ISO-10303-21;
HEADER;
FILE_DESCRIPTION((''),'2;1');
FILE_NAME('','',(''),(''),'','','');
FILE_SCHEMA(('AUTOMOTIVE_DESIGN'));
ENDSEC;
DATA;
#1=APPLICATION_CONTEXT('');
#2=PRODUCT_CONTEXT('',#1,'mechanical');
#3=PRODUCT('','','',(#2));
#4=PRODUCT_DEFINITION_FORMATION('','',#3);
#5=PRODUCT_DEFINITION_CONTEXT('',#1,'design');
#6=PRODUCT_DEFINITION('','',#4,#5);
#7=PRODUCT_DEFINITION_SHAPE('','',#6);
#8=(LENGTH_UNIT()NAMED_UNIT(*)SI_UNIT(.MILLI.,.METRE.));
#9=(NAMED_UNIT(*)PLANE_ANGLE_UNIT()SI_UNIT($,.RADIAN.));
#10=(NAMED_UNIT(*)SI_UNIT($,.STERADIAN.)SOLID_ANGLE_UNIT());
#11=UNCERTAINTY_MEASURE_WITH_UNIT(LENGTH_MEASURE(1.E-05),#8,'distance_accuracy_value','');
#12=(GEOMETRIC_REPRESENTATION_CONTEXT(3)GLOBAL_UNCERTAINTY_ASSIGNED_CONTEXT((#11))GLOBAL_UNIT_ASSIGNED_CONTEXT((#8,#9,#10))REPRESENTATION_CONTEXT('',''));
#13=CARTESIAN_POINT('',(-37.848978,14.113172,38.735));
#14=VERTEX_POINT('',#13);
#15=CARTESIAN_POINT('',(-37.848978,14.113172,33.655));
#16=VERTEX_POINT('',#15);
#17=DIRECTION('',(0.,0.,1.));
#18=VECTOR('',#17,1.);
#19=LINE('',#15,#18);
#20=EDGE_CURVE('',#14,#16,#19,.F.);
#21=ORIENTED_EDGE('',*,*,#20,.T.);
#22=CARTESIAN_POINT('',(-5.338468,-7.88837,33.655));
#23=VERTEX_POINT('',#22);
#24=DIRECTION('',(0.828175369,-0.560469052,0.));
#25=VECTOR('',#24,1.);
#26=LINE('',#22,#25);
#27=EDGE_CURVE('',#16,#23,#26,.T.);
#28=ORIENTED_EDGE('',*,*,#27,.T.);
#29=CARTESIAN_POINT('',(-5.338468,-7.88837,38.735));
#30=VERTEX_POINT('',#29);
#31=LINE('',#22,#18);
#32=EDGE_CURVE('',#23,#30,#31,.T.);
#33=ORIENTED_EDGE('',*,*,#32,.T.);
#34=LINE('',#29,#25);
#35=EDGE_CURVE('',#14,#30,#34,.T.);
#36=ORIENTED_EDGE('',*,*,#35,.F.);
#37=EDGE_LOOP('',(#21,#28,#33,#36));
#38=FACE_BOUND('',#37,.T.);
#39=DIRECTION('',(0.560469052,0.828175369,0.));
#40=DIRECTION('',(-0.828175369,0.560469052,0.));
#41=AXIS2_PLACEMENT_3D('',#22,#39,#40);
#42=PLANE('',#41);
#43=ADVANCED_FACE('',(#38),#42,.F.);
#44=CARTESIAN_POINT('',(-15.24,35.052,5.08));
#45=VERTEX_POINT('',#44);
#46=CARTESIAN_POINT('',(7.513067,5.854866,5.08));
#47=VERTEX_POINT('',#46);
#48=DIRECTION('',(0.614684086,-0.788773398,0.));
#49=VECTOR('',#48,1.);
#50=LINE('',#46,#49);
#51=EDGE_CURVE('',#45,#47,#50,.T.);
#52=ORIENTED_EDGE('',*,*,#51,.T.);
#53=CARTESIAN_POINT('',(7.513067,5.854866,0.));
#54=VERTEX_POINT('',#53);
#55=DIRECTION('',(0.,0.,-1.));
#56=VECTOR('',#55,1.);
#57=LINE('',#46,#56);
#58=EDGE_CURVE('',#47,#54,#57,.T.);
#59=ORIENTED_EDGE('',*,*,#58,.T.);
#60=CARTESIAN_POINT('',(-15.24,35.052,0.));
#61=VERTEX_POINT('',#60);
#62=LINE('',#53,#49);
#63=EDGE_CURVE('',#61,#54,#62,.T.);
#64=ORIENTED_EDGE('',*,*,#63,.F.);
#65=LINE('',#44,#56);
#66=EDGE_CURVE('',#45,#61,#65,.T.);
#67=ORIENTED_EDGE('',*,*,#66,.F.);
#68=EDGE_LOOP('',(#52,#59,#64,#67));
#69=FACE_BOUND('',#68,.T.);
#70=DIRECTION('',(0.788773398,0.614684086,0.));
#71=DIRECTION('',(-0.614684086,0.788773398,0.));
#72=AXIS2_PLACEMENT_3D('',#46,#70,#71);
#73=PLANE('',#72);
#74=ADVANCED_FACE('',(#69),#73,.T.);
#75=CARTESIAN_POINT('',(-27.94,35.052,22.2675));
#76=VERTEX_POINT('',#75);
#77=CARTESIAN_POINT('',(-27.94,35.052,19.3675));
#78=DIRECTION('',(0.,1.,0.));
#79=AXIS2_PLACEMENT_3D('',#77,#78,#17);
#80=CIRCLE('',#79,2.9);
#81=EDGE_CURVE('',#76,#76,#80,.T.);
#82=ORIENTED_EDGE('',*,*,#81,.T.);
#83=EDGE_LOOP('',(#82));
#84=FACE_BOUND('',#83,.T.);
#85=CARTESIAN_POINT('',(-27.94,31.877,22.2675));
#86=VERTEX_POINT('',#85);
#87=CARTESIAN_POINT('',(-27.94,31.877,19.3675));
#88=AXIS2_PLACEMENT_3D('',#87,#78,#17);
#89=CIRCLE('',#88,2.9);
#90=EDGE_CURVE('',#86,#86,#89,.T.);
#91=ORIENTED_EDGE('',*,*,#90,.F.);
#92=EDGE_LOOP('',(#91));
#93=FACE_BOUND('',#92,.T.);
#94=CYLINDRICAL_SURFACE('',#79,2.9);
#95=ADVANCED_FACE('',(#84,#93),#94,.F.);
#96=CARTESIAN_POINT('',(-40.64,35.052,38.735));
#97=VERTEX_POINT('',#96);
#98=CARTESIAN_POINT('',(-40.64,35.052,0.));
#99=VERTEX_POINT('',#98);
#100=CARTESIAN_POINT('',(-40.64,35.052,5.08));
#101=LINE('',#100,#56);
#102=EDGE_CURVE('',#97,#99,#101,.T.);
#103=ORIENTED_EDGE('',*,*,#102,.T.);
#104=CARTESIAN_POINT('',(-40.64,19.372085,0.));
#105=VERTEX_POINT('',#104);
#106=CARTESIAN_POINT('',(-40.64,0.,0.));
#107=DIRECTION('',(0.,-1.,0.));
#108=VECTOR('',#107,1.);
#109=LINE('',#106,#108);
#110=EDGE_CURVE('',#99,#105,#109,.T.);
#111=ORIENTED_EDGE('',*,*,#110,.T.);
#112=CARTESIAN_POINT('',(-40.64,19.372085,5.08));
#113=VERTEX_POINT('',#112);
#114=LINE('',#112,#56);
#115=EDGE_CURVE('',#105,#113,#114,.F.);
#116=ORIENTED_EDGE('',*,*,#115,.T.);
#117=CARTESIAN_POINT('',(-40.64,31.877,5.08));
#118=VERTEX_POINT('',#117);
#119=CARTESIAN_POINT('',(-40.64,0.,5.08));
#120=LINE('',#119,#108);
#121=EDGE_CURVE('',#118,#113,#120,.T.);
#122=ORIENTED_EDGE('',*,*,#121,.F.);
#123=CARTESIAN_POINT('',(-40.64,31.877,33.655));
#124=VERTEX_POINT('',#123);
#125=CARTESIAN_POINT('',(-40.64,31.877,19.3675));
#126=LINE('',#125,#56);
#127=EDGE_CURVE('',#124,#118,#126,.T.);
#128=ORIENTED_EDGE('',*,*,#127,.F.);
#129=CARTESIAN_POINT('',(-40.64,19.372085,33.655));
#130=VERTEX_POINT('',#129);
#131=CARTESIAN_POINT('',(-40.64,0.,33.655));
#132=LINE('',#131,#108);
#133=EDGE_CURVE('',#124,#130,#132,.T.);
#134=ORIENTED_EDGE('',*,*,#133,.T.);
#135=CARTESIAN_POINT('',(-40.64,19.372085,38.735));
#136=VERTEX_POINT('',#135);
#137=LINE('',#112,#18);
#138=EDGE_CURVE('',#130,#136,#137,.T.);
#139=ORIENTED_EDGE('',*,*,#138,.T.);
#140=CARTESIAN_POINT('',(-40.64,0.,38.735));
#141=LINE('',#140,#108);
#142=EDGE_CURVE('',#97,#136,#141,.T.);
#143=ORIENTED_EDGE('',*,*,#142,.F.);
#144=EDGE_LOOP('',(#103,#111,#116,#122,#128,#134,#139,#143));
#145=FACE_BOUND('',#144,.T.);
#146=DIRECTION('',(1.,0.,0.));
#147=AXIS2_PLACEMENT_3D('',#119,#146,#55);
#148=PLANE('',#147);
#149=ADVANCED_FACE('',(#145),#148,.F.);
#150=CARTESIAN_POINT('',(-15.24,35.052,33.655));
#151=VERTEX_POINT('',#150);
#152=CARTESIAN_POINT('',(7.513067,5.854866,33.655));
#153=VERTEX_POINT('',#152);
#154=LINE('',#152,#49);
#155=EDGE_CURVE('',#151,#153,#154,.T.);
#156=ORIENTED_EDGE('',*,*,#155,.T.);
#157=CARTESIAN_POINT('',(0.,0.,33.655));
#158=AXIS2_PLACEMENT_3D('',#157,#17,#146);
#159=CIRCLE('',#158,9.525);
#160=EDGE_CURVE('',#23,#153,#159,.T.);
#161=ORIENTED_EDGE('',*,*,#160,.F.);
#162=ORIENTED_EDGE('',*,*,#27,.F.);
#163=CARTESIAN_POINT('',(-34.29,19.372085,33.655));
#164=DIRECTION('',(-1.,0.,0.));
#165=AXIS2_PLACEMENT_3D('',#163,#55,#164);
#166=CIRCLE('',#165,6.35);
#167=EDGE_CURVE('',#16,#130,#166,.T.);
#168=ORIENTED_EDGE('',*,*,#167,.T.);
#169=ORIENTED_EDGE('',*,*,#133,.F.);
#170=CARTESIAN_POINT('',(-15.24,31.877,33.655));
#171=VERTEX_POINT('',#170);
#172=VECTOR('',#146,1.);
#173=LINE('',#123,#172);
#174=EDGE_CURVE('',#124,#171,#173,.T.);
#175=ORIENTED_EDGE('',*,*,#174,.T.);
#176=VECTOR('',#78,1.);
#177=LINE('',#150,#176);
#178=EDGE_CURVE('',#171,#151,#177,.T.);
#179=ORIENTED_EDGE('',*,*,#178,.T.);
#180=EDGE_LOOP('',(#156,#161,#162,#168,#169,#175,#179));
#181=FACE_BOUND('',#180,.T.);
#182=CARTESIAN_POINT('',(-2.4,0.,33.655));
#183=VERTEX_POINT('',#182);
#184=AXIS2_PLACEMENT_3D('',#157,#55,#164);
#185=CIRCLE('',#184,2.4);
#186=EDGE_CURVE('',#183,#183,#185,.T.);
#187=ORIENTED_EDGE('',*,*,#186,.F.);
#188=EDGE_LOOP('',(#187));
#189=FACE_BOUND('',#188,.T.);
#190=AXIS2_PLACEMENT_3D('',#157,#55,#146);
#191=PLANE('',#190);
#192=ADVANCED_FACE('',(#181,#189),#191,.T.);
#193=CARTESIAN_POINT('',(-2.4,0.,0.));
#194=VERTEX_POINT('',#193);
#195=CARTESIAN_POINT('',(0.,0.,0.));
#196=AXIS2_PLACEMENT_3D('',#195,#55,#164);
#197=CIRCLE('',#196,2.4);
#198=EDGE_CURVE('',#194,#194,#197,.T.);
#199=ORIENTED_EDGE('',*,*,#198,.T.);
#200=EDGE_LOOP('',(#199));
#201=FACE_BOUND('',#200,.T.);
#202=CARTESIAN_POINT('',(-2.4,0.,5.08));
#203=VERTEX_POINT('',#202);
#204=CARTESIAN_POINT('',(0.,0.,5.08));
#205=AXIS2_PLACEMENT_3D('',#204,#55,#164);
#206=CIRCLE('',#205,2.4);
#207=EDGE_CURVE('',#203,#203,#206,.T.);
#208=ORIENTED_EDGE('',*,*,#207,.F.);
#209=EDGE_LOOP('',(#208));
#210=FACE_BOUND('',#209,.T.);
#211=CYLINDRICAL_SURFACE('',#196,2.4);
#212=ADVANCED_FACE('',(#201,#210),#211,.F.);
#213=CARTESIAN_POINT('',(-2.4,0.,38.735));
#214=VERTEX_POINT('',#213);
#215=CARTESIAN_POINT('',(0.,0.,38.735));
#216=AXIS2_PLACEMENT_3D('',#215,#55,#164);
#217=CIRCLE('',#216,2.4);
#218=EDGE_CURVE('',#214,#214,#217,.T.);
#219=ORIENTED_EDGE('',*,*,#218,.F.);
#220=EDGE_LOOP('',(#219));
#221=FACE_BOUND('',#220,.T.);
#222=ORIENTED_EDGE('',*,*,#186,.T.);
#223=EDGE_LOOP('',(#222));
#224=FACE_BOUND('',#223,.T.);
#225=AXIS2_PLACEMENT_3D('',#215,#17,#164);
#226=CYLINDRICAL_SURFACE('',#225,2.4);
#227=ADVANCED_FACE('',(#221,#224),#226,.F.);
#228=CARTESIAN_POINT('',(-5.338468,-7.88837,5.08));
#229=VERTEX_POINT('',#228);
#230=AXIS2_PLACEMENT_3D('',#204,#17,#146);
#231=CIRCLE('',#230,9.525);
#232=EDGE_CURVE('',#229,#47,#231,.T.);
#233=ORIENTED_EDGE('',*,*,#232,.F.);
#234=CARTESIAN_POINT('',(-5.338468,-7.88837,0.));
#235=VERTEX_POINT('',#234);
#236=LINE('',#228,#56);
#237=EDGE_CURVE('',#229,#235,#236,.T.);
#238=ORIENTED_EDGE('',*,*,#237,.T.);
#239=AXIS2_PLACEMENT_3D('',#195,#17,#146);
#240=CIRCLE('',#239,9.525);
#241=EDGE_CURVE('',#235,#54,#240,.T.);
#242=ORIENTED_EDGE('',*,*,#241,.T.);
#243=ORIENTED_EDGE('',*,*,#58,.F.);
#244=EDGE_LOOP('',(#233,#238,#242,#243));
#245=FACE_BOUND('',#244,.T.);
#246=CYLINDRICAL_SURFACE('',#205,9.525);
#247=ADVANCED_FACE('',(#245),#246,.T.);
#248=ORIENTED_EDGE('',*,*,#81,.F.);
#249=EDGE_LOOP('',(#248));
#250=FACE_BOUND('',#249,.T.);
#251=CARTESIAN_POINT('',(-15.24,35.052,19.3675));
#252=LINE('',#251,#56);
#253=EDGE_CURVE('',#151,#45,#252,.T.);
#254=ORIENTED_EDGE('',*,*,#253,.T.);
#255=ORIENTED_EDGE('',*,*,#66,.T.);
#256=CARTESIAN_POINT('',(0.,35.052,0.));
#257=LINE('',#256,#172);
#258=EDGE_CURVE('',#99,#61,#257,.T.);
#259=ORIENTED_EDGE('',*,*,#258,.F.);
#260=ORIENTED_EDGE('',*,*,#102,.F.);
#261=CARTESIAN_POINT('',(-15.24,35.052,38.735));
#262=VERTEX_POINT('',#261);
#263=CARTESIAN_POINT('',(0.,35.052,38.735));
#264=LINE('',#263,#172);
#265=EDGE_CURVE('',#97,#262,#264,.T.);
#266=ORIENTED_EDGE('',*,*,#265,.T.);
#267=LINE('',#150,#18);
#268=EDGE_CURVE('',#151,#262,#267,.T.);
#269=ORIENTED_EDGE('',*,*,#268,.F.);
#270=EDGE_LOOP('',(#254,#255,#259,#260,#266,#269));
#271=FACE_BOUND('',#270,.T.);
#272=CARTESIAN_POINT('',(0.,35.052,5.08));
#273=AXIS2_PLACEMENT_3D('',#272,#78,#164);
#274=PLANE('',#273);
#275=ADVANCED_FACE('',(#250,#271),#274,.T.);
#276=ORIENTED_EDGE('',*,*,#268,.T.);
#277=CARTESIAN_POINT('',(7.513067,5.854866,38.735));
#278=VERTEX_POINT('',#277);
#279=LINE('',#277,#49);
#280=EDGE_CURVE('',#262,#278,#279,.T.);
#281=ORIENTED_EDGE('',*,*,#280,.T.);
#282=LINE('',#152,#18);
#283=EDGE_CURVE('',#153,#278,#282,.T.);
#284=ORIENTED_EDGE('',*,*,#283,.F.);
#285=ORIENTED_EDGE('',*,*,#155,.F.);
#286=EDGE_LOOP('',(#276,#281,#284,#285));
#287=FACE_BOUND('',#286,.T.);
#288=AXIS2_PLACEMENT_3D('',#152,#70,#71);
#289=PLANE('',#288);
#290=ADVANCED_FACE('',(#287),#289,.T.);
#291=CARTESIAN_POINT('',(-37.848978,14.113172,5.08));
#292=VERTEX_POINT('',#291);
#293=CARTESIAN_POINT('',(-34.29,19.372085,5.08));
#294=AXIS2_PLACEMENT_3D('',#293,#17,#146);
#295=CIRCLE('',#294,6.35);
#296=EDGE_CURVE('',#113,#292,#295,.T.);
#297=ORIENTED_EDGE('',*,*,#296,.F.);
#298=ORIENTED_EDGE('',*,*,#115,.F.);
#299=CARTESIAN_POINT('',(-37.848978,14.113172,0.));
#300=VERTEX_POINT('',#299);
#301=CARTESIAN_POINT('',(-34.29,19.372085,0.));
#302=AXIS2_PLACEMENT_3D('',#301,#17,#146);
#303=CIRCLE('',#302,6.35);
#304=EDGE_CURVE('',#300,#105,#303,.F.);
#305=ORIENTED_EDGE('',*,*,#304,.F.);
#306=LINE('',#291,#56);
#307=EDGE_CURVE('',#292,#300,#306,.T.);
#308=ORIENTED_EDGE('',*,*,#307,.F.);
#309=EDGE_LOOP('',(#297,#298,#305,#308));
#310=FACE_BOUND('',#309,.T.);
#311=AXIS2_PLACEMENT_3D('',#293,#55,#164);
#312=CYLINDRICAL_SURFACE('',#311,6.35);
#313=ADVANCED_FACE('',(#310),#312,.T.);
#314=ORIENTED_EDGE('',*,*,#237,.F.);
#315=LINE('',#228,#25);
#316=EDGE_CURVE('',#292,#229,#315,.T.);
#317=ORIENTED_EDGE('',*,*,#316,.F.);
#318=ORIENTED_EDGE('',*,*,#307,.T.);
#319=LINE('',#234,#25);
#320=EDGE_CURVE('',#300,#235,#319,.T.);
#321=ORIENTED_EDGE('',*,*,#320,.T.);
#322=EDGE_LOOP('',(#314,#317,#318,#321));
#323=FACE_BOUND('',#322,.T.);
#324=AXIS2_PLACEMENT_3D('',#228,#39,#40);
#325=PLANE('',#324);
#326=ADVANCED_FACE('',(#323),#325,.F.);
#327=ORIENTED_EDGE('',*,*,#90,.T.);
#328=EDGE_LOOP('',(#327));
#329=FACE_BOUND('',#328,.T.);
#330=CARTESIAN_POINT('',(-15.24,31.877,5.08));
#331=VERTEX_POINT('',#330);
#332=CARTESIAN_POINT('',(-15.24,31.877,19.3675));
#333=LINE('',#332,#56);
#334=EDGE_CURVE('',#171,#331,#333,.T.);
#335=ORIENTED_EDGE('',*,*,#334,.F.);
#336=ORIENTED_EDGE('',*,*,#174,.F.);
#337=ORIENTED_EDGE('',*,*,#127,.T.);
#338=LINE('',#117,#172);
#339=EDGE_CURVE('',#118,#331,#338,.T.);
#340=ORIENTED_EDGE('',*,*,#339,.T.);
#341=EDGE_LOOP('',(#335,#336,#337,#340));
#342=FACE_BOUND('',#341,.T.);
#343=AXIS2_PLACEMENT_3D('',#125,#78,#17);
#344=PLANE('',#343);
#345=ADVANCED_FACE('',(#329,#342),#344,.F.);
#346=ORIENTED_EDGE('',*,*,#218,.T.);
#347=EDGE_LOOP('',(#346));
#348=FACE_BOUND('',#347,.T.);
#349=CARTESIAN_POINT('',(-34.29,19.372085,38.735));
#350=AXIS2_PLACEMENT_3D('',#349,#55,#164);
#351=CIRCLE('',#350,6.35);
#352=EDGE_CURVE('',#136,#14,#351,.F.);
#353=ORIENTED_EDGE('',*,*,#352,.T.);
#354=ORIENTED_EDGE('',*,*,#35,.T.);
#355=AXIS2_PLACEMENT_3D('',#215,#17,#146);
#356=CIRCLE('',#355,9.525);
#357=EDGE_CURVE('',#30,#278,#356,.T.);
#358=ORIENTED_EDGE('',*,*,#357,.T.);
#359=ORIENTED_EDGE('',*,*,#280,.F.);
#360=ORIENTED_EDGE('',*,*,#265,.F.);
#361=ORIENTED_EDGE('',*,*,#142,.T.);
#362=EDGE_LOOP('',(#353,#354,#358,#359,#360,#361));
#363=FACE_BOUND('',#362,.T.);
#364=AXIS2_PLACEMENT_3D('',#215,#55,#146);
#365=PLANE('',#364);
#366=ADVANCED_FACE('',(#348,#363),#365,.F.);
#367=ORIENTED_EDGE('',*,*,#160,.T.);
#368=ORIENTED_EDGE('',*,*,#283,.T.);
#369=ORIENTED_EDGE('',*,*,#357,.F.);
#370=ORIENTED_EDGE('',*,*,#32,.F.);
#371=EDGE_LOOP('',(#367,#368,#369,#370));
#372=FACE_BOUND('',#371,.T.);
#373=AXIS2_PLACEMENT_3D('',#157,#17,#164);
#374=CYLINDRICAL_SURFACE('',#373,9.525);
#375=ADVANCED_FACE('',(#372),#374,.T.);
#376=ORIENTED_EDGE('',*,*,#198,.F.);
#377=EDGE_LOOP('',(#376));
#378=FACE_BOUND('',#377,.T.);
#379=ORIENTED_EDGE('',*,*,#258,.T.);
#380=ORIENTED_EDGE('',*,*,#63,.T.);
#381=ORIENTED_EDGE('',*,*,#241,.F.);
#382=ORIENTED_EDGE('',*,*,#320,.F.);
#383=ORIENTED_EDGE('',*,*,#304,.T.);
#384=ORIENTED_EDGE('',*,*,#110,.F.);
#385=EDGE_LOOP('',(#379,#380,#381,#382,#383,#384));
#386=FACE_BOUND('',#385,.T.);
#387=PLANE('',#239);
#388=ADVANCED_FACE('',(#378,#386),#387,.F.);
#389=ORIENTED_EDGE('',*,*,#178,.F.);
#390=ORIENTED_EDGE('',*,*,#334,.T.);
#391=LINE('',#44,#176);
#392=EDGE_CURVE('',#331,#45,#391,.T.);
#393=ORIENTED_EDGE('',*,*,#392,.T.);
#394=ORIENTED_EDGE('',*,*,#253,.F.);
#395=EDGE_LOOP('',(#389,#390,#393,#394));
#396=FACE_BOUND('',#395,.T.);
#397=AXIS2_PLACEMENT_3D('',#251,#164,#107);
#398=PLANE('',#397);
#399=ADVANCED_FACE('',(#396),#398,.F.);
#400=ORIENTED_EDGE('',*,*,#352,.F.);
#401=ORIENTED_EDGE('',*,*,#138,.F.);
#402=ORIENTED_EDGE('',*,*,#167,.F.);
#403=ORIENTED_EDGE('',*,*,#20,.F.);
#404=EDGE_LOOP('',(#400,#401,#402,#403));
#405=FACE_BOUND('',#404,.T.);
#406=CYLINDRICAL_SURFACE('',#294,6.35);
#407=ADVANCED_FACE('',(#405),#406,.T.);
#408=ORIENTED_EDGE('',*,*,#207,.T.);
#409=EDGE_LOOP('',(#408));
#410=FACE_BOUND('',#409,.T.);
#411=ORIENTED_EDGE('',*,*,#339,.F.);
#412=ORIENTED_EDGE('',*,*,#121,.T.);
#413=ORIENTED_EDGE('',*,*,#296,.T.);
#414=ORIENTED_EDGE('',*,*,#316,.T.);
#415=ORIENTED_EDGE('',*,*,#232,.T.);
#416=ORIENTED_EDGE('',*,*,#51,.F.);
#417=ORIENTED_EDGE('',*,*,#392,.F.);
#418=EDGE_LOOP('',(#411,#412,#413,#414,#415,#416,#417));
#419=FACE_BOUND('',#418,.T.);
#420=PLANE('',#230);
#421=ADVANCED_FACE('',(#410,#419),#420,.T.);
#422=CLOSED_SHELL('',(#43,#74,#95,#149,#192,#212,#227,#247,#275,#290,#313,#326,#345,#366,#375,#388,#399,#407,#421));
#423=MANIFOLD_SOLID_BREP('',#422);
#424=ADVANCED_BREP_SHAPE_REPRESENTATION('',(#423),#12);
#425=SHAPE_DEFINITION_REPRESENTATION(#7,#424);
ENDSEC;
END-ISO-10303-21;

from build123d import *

# Parameters (mm, degrees)
SKETCH1_W            = 25.4
SKETCH1_H            = 19.05
SKETCH1_R            = 9.525
BOSS_EXTRUDE1_DEPTH  = 5.08
M4_CLEARANCE_HOLE1_D = 4.8
SKETCH4_W            = 25.4
SKETCH4_H            = 3.175
BOSS_EXTRUDE2_DEPTH  = 14.2875
M5_CLEARANCE_HOLE1_D = 5.8
FILLET1_R            = 6.35


with BuildPart() as part:
    # Sketch1 → Boss-Extrude1 (new body)
    with BuildSketch(Plane.XY):
        with Locations((-27.94, 25.527)):
            Rectangle(SKETCH1_W, SKETCH1_H)
        with BuildLine():
            Line((-15.24, 16.002), (-40.64, 16.002))
            Line((-40.64, 16.002), (-5.338467717, -7.888370392))
            ThreePointArc((-5.338467717, -7.888370392), (-6.957108321, 6.505710477), (7.51306662, 5.854865922))
            Line((7.51306662, 5.854865922), (-15.24, 35.052))
            Line((-15.24, 35.052), (-15.24, 16.002))
        make_face()
        Circle(SKETCH1_R)
    extrude(amount=BOSS_EXTRUDE1_DEPTH)

    # M4 Clearance Hole1 (through all)
    with Locations(Plane(origin=(0, 0, 0), x_dir=(-1, 0, 0), z_dir=(0, 0, -1))):
        with Locations((0, 0)):
            Hole(M4_CLEARANCE_HOLE1_D / 2)

    # Sketch4 → Boss-Extrude2 (add)
    with BuildSketch(Plane.XY.offset(5.08)):
        with Locations((-27.94, 33.4645)):
            Rectangle(SKETCH4_W, SKETCH4_H)
    extrude(amount=BOSS_EXTRUDE2_DEPTH)

    # Mirror3: part across plane


with BuildPart() as part_1:
    add(part.part)
    add(part.part.mirror(Plane.XY.offset(19.3675)))

    # M5 Clearance Hole1 (through all)
    with Locations(Plane(origin=(0, 35.052, 0), x_dir=(1, 0, 0), z_dir=(0, 1, 0))):
        with Locations((-27.94, -19.3675)):
            Hole(M5_CLEARANCE_HOLE1_D / 2)

    # Fillet1
    fillet1_edges = [part_1.edges().sort_by_distance(p)[0] for p in [
        (-40.64, 16.002, 2.54),
        (-40.64, 16.002, 36.195),
    ]]
    fillet(fillet1_edges, radius=FILLET1_R)


solid = part_1.part
